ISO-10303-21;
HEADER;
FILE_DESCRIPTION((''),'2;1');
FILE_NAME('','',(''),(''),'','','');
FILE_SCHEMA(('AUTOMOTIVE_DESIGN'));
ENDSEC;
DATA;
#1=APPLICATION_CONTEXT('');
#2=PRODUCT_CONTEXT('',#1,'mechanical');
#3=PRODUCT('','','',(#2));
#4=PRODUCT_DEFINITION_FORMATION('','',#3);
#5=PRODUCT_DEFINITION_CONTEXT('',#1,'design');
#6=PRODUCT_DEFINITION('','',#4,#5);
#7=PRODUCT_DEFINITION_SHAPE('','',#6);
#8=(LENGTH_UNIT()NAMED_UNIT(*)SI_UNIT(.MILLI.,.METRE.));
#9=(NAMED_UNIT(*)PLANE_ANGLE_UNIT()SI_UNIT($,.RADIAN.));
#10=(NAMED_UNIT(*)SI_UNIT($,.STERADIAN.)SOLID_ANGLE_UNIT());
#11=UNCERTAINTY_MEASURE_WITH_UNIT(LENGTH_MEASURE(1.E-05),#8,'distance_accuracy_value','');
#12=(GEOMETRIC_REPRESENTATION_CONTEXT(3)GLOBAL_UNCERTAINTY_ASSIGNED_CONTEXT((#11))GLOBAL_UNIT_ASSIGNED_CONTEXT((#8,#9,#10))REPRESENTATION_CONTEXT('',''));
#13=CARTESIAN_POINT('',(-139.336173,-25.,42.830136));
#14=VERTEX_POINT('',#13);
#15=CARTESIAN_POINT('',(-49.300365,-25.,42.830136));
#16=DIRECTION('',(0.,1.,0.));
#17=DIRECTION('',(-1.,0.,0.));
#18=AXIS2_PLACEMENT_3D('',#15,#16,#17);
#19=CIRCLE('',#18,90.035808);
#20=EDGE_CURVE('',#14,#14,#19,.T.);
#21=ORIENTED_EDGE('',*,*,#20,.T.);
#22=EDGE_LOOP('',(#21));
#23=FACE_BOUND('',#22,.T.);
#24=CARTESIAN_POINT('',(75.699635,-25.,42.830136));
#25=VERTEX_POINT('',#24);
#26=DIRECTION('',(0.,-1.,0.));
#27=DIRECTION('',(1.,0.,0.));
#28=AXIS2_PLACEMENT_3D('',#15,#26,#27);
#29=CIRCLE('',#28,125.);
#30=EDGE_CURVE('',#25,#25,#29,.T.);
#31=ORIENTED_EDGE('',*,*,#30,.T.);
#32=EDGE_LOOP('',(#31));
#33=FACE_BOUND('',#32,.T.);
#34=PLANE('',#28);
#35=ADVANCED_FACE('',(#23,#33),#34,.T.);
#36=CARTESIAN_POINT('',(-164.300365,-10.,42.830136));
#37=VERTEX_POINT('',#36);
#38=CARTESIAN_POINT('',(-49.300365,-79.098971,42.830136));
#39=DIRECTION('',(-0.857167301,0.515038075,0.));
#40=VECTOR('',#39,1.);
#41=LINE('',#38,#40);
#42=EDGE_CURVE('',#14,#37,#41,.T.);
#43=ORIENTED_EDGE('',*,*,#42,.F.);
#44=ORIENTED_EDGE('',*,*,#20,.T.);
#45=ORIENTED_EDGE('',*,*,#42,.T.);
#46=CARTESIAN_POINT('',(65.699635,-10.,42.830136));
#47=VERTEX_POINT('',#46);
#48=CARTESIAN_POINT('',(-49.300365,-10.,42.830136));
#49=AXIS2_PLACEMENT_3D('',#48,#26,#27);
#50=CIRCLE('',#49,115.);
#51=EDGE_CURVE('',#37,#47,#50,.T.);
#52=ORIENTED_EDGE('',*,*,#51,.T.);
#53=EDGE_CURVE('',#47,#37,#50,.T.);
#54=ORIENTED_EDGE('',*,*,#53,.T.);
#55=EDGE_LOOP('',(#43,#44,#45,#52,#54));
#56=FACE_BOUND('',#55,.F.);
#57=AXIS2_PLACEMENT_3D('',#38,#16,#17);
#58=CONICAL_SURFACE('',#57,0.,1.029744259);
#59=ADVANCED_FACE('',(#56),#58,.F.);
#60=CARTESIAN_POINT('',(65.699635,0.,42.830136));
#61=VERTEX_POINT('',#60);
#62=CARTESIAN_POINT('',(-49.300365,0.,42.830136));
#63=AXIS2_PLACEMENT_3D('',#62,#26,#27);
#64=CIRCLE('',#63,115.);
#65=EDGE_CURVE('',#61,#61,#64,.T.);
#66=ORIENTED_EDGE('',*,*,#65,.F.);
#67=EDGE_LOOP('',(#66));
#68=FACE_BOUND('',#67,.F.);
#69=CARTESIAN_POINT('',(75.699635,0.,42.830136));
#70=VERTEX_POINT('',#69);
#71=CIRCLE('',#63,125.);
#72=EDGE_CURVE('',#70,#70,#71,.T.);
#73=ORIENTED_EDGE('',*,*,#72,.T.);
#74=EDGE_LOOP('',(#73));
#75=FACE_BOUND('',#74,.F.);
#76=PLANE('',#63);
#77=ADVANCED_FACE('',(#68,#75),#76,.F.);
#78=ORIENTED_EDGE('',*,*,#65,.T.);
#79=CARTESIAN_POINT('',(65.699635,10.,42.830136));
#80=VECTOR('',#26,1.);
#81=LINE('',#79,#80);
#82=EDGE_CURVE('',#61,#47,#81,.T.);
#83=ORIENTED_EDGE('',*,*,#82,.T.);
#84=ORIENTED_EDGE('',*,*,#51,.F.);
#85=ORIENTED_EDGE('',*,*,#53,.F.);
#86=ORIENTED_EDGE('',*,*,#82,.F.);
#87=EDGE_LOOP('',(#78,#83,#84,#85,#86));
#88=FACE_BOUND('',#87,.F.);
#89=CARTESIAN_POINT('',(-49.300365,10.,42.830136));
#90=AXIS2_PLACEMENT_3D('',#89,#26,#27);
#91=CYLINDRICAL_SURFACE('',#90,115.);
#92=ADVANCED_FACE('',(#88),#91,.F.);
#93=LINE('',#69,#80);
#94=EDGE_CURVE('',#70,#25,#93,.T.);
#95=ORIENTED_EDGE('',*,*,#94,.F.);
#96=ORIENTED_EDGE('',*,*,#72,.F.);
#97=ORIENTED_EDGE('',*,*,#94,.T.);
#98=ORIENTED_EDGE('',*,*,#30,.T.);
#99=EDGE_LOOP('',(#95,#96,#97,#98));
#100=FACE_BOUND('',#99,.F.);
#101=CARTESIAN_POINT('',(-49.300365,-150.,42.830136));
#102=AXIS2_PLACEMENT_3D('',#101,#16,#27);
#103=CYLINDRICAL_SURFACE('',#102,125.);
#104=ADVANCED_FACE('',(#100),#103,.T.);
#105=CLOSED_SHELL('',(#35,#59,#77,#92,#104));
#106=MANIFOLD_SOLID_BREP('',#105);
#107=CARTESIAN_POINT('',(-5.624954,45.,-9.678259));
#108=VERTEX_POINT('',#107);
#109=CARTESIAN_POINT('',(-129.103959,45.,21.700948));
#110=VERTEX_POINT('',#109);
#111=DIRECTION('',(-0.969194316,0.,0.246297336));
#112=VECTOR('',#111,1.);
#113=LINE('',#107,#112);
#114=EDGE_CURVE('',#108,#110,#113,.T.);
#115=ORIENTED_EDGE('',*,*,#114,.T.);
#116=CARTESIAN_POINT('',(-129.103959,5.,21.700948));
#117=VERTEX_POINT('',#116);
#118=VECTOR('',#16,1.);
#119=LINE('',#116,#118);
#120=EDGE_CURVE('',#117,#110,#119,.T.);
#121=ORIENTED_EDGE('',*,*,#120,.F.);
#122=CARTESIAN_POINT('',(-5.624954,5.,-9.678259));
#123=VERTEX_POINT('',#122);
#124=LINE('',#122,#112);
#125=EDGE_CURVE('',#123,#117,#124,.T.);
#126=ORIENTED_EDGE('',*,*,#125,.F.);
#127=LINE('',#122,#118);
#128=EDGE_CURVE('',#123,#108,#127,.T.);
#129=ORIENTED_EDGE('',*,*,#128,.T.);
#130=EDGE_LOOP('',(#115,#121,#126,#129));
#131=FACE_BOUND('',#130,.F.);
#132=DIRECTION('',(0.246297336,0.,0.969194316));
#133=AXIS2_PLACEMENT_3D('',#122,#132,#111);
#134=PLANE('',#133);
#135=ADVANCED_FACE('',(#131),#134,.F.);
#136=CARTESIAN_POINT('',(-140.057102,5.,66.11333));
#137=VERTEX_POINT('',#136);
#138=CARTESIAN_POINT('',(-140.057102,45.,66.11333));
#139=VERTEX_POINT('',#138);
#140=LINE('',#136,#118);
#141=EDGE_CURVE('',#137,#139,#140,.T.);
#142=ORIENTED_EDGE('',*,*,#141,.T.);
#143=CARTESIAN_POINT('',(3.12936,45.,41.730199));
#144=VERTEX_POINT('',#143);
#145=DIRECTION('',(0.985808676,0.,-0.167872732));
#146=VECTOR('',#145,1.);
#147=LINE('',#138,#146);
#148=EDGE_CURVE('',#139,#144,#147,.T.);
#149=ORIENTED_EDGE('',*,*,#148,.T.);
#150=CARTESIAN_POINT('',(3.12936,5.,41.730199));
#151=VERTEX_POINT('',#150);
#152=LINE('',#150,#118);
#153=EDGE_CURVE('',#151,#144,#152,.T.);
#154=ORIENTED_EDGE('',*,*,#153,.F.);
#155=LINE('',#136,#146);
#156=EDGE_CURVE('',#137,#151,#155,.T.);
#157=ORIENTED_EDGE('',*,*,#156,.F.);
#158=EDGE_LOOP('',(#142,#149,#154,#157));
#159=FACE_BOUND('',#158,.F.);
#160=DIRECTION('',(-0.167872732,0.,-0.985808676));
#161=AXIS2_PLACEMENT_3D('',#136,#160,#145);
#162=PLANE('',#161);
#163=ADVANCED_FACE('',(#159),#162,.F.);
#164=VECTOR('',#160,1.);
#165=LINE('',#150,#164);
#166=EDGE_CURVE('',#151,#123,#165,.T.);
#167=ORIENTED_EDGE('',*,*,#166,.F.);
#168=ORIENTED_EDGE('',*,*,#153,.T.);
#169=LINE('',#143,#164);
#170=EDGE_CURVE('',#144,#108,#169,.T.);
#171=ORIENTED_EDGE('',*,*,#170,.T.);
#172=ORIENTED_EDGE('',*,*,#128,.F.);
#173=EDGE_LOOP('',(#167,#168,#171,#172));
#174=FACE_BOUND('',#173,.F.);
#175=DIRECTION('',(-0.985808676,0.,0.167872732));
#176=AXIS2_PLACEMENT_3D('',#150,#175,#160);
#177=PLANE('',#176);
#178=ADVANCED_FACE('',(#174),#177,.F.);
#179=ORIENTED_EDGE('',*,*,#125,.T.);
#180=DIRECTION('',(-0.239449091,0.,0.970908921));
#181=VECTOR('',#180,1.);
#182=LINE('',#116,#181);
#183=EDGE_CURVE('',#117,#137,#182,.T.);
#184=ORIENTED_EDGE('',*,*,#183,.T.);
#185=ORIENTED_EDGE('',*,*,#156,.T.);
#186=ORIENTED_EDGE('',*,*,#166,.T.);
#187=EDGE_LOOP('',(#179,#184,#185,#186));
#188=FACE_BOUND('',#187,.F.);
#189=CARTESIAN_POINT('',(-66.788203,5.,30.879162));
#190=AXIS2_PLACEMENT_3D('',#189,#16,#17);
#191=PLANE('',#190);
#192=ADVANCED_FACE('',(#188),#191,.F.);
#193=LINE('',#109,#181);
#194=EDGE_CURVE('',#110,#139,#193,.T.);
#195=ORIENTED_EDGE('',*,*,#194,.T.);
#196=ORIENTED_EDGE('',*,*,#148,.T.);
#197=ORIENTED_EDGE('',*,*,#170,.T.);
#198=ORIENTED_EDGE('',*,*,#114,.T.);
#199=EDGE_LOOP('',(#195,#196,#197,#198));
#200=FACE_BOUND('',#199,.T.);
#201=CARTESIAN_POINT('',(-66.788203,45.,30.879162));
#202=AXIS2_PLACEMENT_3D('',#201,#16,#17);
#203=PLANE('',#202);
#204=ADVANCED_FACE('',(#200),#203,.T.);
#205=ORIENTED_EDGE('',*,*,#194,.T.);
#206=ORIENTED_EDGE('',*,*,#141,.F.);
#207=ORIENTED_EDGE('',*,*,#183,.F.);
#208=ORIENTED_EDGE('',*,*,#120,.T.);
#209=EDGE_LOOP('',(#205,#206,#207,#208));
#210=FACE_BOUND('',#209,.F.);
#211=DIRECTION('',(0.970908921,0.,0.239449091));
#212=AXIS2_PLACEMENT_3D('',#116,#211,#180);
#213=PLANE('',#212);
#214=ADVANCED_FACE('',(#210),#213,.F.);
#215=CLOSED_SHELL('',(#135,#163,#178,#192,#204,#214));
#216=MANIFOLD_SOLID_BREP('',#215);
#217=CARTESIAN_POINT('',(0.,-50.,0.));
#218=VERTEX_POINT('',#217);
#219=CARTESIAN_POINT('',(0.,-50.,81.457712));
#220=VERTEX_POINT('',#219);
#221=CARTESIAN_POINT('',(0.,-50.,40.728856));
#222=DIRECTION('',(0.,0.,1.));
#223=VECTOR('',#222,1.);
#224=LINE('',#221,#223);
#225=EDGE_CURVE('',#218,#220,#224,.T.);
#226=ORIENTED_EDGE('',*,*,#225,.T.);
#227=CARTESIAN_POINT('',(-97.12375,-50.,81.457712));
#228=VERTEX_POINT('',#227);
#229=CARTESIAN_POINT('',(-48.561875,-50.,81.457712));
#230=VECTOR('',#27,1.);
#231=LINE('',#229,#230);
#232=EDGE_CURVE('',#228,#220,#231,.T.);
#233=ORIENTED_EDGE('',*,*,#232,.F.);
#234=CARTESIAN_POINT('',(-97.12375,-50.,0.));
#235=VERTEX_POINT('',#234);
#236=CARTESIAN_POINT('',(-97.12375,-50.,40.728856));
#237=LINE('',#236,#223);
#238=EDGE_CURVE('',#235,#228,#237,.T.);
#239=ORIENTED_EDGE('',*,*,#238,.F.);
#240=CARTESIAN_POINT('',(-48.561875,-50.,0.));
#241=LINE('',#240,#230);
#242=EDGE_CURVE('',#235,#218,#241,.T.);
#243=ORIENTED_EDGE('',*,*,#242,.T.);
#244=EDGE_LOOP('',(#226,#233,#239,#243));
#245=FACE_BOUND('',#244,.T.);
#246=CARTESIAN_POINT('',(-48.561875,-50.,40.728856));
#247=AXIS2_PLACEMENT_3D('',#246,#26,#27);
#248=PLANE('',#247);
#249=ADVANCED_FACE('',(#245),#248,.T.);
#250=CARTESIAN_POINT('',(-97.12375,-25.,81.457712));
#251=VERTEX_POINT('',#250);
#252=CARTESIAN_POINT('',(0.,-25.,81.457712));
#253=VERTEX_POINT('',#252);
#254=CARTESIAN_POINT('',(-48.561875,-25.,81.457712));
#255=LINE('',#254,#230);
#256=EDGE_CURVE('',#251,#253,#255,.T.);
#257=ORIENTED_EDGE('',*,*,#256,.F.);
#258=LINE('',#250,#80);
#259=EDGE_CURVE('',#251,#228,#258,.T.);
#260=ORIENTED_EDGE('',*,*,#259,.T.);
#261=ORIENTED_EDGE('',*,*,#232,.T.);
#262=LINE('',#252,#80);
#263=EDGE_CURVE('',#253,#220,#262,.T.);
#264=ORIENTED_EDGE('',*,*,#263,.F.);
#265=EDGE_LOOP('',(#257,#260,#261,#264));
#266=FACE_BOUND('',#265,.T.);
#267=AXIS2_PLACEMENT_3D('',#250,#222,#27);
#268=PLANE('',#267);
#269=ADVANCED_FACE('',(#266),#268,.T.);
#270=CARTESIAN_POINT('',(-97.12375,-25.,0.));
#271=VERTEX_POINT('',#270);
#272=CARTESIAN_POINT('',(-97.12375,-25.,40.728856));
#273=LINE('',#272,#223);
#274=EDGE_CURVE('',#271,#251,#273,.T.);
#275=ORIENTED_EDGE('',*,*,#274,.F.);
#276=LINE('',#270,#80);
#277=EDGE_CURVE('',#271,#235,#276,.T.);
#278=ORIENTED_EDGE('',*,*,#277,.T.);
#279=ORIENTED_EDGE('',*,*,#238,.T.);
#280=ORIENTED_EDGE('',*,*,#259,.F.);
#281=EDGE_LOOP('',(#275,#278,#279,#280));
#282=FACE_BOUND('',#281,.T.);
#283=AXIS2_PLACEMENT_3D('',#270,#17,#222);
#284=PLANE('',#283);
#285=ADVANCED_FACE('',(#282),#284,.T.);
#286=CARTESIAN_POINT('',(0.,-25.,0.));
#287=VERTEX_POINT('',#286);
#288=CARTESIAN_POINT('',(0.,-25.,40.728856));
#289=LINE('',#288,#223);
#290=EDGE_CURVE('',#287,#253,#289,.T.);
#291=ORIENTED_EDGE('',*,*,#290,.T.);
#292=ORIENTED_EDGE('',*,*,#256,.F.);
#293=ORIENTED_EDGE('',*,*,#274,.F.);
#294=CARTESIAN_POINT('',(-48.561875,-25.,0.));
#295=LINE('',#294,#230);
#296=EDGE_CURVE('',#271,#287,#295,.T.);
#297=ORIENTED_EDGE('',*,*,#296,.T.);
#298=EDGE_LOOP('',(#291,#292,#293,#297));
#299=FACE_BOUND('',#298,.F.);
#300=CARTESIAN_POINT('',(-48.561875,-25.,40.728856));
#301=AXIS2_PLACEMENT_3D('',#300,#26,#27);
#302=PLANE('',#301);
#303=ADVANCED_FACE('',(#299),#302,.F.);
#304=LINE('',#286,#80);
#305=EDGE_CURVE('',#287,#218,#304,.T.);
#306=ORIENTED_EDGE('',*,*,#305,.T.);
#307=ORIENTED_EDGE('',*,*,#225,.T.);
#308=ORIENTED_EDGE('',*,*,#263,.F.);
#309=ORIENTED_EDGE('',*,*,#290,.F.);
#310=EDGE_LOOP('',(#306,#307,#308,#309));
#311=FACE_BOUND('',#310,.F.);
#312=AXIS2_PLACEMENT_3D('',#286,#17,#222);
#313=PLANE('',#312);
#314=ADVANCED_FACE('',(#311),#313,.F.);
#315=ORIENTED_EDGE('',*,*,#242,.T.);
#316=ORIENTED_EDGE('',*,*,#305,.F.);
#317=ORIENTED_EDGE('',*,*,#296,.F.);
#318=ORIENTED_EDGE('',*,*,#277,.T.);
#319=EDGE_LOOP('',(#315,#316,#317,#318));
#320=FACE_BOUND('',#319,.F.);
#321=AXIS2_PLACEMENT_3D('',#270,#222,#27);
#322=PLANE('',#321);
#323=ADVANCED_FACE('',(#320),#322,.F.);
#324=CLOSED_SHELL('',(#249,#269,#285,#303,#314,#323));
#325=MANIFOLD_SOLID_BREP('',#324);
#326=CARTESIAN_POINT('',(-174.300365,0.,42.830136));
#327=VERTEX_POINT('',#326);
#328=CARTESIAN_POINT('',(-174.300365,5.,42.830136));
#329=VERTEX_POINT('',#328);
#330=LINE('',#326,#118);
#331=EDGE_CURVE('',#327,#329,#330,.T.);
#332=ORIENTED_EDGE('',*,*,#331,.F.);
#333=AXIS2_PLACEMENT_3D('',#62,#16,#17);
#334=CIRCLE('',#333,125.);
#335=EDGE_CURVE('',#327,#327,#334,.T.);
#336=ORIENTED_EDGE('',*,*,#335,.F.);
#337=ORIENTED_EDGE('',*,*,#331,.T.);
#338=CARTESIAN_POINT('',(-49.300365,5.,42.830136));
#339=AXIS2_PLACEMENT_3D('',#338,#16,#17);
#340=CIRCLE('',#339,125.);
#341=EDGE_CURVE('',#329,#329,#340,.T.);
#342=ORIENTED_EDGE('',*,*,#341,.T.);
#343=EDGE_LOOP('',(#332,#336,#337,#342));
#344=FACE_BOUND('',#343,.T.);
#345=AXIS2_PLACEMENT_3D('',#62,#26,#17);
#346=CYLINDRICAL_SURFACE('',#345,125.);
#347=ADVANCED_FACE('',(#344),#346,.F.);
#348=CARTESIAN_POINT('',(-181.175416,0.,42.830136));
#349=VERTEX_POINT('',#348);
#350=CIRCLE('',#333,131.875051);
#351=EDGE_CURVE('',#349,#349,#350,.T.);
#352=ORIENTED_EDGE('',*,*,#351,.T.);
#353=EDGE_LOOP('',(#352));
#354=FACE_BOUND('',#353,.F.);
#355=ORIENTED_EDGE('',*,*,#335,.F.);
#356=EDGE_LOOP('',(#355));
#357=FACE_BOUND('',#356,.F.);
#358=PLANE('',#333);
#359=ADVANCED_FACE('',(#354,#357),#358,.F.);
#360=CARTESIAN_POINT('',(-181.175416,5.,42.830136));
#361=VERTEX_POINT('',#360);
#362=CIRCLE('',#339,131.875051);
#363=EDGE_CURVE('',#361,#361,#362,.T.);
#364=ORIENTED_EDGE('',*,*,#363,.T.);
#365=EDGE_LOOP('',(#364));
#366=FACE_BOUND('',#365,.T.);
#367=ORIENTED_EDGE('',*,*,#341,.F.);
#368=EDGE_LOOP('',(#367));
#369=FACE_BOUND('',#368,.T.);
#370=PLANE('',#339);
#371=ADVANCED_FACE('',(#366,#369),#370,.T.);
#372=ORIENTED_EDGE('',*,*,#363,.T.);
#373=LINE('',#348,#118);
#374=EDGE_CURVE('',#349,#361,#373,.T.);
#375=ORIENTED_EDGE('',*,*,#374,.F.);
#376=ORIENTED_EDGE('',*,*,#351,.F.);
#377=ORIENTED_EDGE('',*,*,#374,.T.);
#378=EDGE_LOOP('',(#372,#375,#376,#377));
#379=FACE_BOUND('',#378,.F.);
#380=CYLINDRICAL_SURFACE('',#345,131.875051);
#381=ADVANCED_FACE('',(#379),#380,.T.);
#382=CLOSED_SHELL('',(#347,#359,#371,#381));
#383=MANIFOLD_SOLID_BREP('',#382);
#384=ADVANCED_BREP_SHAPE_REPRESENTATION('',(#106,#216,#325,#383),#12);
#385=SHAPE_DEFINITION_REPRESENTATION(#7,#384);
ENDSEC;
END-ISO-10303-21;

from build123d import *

# Parameters (mm, degrees)
F0_R      = 125
F1_DEPTH  = 150
F2_R      = 131.8750509278
F2_R_2    = 125
F3_DEPTH  = 5
F5_D      = 230
F5_DEPTH  = 10
F5_TIP    = 69.0989711882
F6_DEPTH  = 25
F7_DEPTH  = 150
F9_DEPTH  = 40
F10_W     = 97.1237495542
F10_H     = 81.4577117562
F11_DEPTH = 25


with BuildPart() as f1:
    # F0 (on Front) → F1 (new body)
    with BuildSketch(Plane.XZ):
        with Locations((-49.30036515, 42.8301356733)):
            Circle(F0_R)
    extrude(amount=F1_DEPTH)

    # F5
    with Locations(Plane(origin=(0, 0, 0), x_dir=(-1, 0, 0), z_dir=(0, 1, 0))):
        with Locations((49.30036515, 42.8301356733)):
            Hole(F5_D / 2, depth=F5_DEPTH)
            with Locations((0, 0, -(F5_DEPTH + F5_TIP / 2))):  # 118° drill point
                Cone(0, F5_D / 2, F5_TIP, mode=Mode.SUBTRACT)

    # F6 (add): a face of the model
    f6_faces = [f1.faces().sort_by_distance(p)[0] for p in [
        (-49.30036515, -150, 42.8301356733),
    ]]
    extrude(f6_faces, amount=F6_DEPTH)

    # F7 (cut): a face of the model
    f7_faces = [f1.faces().sort_by_distance(p)[0] for p in [
        (-49.30036515, -175, 42.8301356733),
    ]]
    extrude(f7_faces, amount=-F7_DEPTH, mode=Mode.SUBTRACT)


with BuildPart() as f3:
    # F2 (on face) → F3 (new body)
    with BuildSketch(Plane(origin=(0, 0, 0), x_dir=(-1, 0, 0), z_dir=(0, 1, 0))):
        with Locations((49.30036515, 42.8301356733)):
            Circle(F2_R)
        with Locations((49.30036515, 42.8301356733)):
            Circle(F2_R_2, mode=Mode.SUBTRACT)
    extrude(amount=F3_DEPTH)


with BuildPart() as f9:
    # F8 (on face) → F9 (new body)
    with BuildSketch(Plane(origin=(0, 5, 0), x_dir=(-1, 0, 0), z_dir=(0, 1, 0))):
        Polygon((129.1039586067, 21.7009484768), (140.0571018457, 66.1133304238), (-3.1293598004, 41.7301990092), (5.6249538695, -9.6782594538), align=None)
    extrude(amount=F9_DEPTH)


with BuildPart() as f11:
    # F10 (on face) → F11 (new body)
    with BuildSketch(Plane.XZ.offset(25)):
        with Locations((-48.5618747771, 40.7288558781)):
            Rectangle(F10_W, F10_H)
    extrude(amount=F11_DEPTH)


solid = Compound([f1.part, f3.part, f9.part, f11.part])
